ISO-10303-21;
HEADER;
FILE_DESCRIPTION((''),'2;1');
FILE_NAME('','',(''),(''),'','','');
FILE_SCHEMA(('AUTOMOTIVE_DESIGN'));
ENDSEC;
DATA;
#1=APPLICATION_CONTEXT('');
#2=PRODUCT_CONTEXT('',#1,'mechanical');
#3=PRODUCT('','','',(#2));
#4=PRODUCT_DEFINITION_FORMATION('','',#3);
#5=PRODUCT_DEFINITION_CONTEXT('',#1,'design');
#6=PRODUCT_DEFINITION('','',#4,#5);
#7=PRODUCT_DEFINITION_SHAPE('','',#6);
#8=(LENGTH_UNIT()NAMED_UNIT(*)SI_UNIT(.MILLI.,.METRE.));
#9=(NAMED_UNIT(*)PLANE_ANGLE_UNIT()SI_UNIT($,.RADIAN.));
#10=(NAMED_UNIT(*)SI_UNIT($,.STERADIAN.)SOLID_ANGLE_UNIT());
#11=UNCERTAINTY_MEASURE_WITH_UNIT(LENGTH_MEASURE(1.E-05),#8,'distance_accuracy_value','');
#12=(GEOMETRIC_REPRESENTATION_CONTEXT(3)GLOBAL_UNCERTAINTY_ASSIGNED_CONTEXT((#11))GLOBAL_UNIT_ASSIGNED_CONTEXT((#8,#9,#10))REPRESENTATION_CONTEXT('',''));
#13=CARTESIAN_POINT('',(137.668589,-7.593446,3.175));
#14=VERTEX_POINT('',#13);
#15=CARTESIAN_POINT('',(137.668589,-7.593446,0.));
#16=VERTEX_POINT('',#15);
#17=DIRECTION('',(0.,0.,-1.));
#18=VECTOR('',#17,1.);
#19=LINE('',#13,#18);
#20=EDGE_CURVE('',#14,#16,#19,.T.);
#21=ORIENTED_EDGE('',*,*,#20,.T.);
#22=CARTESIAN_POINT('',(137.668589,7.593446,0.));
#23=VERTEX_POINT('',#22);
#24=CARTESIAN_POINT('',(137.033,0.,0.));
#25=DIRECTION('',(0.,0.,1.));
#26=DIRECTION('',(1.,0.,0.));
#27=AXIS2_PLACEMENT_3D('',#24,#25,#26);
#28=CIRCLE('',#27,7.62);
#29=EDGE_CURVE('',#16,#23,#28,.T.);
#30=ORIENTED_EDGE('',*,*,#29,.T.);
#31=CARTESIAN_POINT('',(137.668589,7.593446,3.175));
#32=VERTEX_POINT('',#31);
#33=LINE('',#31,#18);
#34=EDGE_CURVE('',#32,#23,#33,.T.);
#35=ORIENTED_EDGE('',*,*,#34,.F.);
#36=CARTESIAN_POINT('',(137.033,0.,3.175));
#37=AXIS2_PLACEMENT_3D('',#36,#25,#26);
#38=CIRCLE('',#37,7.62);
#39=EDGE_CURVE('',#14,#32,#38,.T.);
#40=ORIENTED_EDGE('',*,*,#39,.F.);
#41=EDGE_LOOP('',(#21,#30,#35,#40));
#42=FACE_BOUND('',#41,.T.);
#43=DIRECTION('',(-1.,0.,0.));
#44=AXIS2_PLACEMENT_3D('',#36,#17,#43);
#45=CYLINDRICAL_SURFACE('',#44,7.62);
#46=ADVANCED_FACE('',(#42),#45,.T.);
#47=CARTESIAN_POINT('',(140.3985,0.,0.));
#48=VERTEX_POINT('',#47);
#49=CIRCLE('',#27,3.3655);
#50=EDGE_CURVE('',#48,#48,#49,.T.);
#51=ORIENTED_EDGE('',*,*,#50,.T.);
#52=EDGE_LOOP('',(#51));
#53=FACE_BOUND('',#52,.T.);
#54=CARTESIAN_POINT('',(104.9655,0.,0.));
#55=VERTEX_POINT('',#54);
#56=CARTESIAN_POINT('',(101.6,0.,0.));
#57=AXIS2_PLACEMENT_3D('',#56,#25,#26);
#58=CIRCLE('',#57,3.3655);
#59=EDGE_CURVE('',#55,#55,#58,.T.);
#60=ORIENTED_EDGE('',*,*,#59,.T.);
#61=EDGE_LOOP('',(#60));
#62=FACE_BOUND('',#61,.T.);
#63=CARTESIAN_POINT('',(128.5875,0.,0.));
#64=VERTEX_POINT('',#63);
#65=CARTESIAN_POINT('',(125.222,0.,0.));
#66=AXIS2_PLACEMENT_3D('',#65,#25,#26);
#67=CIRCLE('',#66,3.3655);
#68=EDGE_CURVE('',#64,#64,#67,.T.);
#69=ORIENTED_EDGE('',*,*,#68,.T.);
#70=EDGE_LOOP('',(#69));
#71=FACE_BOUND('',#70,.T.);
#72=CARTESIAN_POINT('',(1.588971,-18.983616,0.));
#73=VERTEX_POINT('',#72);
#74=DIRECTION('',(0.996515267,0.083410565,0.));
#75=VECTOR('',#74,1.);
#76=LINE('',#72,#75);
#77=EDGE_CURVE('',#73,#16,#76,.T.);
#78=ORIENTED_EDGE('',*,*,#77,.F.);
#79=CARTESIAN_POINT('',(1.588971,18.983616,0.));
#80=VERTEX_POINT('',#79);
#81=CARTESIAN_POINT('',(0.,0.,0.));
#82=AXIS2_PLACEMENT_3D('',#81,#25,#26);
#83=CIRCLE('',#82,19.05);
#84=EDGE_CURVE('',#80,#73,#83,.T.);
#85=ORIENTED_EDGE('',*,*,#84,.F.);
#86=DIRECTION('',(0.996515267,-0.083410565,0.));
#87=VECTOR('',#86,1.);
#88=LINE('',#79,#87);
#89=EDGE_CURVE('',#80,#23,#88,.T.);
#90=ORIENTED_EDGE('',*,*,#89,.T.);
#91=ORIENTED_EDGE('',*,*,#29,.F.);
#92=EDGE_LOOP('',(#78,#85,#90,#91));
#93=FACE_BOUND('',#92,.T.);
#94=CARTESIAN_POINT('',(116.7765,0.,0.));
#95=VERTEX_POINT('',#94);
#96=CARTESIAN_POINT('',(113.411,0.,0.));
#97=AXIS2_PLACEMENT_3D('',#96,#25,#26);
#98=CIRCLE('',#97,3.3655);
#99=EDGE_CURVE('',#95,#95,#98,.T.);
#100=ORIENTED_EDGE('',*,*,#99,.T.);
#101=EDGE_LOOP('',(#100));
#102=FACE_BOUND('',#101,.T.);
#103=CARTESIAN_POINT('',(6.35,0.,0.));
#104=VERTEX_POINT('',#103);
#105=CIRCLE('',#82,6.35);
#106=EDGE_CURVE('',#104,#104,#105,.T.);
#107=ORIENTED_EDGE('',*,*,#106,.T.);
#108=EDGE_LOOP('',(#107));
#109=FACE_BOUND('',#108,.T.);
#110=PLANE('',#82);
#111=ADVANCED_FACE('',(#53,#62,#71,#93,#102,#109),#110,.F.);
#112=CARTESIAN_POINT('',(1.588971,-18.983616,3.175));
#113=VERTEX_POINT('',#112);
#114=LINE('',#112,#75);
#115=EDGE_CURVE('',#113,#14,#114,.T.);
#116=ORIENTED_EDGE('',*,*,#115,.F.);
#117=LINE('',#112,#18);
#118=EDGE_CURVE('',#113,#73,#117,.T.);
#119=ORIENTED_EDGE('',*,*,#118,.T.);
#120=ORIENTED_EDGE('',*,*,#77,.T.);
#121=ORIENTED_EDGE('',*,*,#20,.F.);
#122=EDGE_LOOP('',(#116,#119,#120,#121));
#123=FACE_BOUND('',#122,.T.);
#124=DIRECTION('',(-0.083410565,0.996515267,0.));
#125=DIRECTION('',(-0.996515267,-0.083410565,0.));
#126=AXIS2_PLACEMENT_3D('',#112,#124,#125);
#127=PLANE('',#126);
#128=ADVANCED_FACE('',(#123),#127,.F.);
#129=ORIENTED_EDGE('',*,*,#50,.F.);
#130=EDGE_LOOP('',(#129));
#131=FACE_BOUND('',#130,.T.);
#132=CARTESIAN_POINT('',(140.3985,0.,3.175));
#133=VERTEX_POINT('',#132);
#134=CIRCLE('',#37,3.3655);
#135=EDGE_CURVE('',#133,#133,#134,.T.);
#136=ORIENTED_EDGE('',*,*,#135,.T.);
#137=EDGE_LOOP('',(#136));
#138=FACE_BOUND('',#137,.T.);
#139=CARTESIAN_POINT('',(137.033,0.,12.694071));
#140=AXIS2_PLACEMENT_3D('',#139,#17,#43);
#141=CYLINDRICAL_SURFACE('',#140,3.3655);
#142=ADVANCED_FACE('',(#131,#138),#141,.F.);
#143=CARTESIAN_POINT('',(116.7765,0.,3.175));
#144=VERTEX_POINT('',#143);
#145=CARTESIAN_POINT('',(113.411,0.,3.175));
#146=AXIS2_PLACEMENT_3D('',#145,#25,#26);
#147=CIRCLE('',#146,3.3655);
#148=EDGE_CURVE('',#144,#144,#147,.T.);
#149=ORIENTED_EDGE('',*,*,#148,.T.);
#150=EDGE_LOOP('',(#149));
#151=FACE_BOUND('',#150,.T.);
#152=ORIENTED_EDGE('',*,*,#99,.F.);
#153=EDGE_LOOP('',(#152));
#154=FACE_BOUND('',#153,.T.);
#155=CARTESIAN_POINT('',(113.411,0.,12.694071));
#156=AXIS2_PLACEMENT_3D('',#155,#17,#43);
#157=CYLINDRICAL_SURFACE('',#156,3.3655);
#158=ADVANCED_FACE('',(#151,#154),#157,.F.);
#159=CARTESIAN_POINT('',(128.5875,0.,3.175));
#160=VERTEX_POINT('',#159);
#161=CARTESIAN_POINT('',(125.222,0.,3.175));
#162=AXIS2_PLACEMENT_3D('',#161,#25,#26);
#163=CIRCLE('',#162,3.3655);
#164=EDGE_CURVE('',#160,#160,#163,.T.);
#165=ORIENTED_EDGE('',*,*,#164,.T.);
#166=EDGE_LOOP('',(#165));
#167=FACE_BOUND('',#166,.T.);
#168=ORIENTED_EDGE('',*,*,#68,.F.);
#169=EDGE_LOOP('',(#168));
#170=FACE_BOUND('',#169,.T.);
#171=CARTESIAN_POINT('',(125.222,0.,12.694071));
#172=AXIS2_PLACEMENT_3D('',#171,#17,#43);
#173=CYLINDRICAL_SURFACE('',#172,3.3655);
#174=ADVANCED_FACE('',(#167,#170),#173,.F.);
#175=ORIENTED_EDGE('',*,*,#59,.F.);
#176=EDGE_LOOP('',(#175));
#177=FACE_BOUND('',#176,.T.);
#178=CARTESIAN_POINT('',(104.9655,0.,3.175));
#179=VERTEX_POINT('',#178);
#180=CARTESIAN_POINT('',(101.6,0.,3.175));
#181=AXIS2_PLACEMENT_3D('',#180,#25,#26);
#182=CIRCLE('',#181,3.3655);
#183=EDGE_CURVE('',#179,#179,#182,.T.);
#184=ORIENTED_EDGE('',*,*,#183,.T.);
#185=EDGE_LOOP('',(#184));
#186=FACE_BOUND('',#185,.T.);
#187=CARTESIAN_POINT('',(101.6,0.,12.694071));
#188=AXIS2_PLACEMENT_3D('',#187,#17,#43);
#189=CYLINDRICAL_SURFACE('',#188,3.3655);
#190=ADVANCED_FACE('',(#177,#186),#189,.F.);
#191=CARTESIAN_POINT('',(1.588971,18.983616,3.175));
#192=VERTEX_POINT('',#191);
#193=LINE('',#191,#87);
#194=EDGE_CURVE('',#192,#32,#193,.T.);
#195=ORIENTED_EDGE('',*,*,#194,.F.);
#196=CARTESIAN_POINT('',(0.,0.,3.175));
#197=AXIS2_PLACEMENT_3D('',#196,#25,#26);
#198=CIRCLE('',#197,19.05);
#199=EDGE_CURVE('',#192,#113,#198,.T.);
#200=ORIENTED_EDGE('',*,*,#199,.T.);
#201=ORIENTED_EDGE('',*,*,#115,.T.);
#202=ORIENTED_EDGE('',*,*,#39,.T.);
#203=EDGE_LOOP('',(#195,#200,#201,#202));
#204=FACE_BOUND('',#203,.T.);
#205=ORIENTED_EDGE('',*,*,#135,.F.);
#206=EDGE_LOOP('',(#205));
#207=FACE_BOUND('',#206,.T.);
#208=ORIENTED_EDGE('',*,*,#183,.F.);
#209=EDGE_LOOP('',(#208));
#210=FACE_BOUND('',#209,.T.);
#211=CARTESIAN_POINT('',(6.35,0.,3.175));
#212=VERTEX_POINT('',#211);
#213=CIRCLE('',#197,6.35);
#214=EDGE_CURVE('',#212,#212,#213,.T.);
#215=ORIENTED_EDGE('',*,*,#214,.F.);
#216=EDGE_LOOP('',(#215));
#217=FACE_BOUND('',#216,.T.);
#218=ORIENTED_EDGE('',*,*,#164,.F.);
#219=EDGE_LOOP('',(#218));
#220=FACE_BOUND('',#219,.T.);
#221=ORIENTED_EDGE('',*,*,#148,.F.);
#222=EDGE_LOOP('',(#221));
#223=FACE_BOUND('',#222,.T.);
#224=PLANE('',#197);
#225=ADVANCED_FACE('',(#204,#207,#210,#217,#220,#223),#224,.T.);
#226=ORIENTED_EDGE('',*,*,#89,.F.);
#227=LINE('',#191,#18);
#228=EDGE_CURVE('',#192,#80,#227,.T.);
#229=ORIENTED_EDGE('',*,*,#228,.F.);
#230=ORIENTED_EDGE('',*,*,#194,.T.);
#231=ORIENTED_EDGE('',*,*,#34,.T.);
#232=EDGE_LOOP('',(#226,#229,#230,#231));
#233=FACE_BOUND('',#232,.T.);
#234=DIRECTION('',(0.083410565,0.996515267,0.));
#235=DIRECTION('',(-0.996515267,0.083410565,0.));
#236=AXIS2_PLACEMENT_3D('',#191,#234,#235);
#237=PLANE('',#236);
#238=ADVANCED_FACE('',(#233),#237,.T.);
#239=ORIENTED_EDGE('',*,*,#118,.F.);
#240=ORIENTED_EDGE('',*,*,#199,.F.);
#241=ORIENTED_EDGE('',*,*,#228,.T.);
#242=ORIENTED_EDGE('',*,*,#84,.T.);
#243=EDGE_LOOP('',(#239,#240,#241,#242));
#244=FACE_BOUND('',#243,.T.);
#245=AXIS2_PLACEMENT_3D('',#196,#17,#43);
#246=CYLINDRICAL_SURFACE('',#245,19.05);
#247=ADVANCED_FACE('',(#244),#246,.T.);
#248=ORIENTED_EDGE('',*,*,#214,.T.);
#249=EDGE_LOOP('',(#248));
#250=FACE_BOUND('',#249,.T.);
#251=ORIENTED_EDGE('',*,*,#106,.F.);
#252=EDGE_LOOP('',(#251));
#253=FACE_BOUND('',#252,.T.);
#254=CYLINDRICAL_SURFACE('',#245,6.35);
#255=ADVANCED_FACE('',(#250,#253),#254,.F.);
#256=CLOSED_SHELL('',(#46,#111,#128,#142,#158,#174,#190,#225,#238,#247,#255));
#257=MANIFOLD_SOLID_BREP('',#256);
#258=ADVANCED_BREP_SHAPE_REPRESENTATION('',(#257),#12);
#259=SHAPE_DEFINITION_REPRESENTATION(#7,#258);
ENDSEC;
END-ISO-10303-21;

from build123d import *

# Parameters (mm, degrees)
FLAT_SKETCH_R           = 19.05
FLAT_SKETCH_R_2         = 6.35
FLAT_SKETCH_R_3         = 7.62
FLAT_SKETCH_R_4         = 3.3655
EXTRUDE_FACE_DEPTH      = 3.175
FLAT_SKETCH_4_R         = 3.3655
EXTRUDE_CUT_HOLES_DEPTH = 3.175


with BuildPart() as part:
    # Flat sketch → Extrude face (new body)
    # profile 1 of 7: a face of its own
    with BuildSketch(Plane.XY):
        Circle(FLAT_SKETCH_R)
        Circle(FLAT_SKETCH_R_2, mode=Mode.SUBTRACT)
    # profile 2 of 7: a face of its own
    with BuildSketch(Plane.XY):
        with Locations((137.033, 0)):
            Circle(FLAT_SKETCH_R_3)
        with Locations((137.033, 0)):
            Circle(FLAT_SKETCH_R_4, mode=Mode.SUBTRACT)
    # profile 3 of 7: a face of its own
    with BuildSketch(Plane.XY):
        with Locations((137.033, 0)):
            Circle(FLAT_SKETCH_R_4)
    # profile 4 of 7: a face of its own
    with BuildSketch(Plane.XY):
        with BuildLine():
            Line((137.668588508, 7.593446335), (1.58897127, 18.983615839))
            ThreePointArc((1.58897127, 18.983615839), (14.020920132, 12.896367654), (19.05, 0))
            ThreePointArc((19.05, 0), (14.020920132, -12.896367654), (1.58897127, -18.983615839))
            Line((1.58897127, -18.983615839), (137.668588508, -7.593446335))
            ThreePointArc((137.668588508, -7.593446335), (129.413, 0), (137.668588508, 7.593446335))
        make_face()
        with Locations((101.6, 0)):
            Circle(FLAT_SKETCH_R_4, mode=Mode.SUBTRACT)
        with Locations((113.411, 0)):
            Circle(FLAT_SKETCH_R_4, mode=Mode.SUBTRACT)
        with Locations((125.222, 0)):
            Circle(FLAT_SKETCH_R_4, mode=Mode.SUBTRACT)
    # profile 5 of 7: a face of its own
    with BuildSketch(Plane.XY):
        with Locations((125.222, 0)):
            Circle(FLAT_SKETCH_R_4)
    # profile 6 of 7: a face of its own
    with BuildSketch(Plane.XY):
        with Locations((113.411, 0)):
            Circle(FLAT_SKETCH_R_4)
    # profile 7 of 7: a face of its own
    with BuildSketch(Plane.XY):
        with Locations((101.6, 0)):
            Circle(FLAT_SKETCH_R_4)
    extrude(amount=EXTRUDE_FACE_DEPTH)

    # Flat sketch<4> → Extrude cut - holes (cut)
    with BuildSketch(Plane.XY):
        with Locations((137.033, 0)):
            Circle(FLAT_SKETCH_4_R)
        with Locations((125.222, 0)):
            Circle(FLAT_SKETCH_4_R)
        with Locations((113.411, 0)):
            Circle(FLAT_SKETCH_4_R)
        with Locations((101.6, 0)):
            Circle(FLAT_SKETCH_4_R)
    extrude(amount=EXTRUDE_CUT_HOLES_DEPTH, mode=Mode.SUBTRACT)


solid = part.part
